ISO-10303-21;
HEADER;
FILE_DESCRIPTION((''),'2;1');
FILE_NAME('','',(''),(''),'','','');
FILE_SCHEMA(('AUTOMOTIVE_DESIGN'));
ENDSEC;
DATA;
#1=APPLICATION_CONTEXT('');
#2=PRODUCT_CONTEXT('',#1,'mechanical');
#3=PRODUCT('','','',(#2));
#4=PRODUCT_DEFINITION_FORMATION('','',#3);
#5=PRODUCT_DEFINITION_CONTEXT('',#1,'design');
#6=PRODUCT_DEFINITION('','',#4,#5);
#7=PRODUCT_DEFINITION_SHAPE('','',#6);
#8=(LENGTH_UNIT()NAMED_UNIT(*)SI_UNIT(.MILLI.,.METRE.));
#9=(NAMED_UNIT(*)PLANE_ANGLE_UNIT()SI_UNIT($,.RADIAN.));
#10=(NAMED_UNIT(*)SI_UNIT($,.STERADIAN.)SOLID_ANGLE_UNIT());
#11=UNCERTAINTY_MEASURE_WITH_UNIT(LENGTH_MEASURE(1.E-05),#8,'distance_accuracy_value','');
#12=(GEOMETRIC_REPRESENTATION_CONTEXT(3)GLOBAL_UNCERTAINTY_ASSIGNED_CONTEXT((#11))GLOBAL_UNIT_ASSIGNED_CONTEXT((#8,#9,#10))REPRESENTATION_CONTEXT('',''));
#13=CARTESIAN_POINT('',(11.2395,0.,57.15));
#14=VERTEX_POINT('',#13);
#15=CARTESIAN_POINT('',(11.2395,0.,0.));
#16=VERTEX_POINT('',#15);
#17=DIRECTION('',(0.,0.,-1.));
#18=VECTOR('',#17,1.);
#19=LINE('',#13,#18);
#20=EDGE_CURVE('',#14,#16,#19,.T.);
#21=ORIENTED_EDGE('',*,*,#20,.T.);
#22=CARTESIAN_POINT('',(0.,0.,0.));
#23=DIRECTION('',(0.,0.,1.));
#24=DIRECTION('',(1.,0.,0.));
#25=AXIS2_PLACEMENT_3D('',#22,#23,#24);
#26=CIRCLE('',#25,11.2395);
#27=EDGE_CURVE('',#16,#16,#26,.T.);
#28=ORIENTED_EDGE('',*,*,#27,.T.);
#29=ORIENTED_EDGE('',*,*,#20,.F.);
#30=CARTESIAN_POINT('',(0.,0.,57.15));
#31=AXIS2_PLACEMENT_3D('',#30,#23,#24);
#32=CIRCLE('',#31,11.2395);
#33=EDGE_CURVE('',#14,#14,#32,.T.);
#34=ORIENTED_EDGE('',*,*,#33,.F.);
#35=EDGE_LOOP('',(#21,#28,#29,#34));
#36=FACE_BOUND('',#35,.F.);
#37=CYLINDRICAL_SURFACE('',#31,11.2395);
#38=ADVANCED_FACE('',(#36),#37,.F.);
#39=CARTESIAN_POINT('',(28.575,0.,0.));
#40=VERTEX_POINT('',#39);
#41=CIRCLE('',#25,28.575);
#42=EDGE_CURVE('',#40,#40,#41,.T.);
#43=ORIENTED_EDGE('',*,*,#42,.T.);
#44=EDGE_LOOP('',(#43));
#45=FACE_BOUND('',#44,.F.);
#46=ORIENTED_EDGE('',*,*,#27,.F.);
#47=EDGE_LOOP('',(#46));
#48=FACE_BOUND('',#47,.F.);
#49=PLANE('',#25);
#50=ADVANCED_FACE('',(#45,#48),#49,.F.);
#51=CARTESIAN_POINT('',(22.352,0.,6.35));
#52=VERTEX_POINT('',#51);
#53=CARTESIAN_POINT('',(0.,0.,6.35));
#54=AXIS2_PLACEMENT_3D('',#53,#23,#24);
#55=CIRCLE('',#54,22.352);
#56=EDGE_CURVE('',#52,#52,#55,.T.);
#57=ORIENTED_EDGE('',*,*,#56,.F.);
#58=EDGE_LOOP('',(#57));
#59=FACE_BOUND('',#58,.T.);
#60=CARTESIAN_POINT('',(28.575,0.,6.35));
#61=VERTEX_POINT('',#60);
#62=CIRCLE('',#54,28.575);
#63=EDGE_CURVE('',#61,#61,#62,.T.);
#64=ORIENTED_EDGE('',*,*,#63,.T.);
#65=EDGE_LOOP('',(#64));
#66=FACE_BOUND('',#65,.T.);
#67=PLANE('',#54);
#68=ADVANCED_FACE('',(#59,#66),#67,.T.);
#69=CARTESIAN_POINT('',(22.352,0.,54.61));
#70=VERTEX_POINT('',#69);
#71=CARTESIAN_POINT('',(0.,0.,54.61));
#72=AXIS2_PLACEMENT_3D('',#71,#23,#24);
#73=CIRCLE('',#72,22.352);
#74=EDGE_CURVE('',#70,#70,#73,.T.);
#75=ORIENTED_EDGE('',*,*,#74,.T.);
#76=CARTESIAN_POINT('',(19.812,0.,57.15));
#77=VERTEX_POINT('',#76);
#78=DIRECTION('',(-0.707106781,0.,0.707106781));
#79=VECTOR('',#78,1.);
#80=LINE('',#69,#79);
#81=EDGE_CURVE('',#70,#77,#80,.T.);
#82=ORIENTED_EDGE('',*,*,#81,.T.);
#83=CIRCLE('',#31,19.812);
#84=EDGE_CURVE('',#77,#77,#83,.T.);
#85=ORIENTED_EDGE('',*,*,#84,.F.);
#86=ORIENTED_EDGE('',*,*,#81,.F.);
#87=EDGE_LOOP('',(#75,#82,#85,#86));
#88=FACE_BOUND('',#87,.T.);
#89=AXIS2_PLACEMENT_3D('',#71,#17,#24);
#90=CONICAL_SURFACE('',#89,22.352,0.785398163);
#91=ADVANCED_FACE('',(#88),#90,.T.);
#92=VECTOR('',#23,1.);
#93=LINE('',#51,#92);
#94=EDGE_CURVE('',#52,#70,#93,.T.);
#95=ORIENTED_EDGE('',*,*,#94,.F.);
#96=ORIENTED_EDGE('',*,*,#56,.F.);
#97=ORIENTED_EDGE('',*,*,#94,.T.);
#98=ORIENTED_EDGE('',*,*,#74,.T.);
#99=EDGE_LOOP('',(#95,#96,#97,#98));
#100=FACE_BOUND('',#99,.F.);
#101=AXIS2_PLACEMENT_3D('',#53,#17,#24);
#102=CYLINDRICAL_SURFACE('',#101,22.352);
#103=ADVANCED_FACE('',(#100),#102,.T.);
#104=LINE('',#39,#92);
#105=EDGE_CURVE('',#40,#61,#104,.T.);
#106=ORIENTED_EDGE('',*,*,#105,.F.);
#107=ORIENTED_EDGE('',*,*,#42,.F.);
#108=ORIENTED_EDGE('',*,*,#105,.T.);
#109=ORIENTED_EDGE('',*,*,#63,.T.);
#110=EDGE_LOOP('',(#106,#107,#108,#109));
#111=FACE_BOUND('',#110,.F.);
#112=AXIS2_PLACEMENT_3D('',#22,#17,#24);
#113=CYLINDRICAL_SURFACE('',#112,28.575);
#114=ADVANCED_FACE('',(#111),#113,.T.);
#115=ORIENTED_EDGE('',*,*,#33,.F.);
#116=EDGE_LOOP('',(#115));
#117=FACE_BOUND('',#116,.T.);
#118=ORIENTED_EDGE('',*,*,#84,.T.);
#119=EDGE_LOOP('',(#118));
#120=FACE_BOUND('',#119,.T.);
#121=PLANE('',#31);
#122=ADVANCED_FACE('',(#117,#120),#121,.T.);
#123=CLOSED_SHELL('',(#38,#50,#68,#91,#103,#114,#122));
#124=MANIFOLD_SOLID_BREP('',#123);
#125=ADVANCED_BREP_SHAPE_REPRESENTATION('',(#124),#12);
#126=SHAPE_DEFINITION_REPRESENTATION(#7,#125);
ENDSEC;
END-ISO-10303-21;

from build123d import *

# Parameters (mm, degrees)
F0_R     = 28.575
F1_DEPTH = 6.35
F2_R     = 22.352
F3_DEPTH = 50.8
F4_R     = 11.2395
F5_DEPTH = 57.151
F6_SIZE  = 2.54


with BuildPart() as f1:
    # F0 (on Top) → F1 (new body)
    with BuildSketch(Plane.XY):
        Circle(F0_R)
    extrude(amount=F1_DEPTH)

    # F2 (on face) → F3 (join)
    with BuildSketch(Plane.XY.offset(6.35)):
        Circle(F2_R)
    extrude(amount=F3_DEPTH)

    # F4 (on face) → F5 (cut, through all)
    with BuildSketch(Plane.XY.offset(57.15)):
        Circle(F4_R)
    extrude(amount=-F5_DEPTH, mode=Mode.SUBTRACT)

    # F6
    f6_edges = [f1.edges().sort_by_distance(p)[0] for p in [
        (-22.352, 0, 57.15),
    ]]
    chamfer(f6_edges, length=F6_SIZE)


solid = f1.part
